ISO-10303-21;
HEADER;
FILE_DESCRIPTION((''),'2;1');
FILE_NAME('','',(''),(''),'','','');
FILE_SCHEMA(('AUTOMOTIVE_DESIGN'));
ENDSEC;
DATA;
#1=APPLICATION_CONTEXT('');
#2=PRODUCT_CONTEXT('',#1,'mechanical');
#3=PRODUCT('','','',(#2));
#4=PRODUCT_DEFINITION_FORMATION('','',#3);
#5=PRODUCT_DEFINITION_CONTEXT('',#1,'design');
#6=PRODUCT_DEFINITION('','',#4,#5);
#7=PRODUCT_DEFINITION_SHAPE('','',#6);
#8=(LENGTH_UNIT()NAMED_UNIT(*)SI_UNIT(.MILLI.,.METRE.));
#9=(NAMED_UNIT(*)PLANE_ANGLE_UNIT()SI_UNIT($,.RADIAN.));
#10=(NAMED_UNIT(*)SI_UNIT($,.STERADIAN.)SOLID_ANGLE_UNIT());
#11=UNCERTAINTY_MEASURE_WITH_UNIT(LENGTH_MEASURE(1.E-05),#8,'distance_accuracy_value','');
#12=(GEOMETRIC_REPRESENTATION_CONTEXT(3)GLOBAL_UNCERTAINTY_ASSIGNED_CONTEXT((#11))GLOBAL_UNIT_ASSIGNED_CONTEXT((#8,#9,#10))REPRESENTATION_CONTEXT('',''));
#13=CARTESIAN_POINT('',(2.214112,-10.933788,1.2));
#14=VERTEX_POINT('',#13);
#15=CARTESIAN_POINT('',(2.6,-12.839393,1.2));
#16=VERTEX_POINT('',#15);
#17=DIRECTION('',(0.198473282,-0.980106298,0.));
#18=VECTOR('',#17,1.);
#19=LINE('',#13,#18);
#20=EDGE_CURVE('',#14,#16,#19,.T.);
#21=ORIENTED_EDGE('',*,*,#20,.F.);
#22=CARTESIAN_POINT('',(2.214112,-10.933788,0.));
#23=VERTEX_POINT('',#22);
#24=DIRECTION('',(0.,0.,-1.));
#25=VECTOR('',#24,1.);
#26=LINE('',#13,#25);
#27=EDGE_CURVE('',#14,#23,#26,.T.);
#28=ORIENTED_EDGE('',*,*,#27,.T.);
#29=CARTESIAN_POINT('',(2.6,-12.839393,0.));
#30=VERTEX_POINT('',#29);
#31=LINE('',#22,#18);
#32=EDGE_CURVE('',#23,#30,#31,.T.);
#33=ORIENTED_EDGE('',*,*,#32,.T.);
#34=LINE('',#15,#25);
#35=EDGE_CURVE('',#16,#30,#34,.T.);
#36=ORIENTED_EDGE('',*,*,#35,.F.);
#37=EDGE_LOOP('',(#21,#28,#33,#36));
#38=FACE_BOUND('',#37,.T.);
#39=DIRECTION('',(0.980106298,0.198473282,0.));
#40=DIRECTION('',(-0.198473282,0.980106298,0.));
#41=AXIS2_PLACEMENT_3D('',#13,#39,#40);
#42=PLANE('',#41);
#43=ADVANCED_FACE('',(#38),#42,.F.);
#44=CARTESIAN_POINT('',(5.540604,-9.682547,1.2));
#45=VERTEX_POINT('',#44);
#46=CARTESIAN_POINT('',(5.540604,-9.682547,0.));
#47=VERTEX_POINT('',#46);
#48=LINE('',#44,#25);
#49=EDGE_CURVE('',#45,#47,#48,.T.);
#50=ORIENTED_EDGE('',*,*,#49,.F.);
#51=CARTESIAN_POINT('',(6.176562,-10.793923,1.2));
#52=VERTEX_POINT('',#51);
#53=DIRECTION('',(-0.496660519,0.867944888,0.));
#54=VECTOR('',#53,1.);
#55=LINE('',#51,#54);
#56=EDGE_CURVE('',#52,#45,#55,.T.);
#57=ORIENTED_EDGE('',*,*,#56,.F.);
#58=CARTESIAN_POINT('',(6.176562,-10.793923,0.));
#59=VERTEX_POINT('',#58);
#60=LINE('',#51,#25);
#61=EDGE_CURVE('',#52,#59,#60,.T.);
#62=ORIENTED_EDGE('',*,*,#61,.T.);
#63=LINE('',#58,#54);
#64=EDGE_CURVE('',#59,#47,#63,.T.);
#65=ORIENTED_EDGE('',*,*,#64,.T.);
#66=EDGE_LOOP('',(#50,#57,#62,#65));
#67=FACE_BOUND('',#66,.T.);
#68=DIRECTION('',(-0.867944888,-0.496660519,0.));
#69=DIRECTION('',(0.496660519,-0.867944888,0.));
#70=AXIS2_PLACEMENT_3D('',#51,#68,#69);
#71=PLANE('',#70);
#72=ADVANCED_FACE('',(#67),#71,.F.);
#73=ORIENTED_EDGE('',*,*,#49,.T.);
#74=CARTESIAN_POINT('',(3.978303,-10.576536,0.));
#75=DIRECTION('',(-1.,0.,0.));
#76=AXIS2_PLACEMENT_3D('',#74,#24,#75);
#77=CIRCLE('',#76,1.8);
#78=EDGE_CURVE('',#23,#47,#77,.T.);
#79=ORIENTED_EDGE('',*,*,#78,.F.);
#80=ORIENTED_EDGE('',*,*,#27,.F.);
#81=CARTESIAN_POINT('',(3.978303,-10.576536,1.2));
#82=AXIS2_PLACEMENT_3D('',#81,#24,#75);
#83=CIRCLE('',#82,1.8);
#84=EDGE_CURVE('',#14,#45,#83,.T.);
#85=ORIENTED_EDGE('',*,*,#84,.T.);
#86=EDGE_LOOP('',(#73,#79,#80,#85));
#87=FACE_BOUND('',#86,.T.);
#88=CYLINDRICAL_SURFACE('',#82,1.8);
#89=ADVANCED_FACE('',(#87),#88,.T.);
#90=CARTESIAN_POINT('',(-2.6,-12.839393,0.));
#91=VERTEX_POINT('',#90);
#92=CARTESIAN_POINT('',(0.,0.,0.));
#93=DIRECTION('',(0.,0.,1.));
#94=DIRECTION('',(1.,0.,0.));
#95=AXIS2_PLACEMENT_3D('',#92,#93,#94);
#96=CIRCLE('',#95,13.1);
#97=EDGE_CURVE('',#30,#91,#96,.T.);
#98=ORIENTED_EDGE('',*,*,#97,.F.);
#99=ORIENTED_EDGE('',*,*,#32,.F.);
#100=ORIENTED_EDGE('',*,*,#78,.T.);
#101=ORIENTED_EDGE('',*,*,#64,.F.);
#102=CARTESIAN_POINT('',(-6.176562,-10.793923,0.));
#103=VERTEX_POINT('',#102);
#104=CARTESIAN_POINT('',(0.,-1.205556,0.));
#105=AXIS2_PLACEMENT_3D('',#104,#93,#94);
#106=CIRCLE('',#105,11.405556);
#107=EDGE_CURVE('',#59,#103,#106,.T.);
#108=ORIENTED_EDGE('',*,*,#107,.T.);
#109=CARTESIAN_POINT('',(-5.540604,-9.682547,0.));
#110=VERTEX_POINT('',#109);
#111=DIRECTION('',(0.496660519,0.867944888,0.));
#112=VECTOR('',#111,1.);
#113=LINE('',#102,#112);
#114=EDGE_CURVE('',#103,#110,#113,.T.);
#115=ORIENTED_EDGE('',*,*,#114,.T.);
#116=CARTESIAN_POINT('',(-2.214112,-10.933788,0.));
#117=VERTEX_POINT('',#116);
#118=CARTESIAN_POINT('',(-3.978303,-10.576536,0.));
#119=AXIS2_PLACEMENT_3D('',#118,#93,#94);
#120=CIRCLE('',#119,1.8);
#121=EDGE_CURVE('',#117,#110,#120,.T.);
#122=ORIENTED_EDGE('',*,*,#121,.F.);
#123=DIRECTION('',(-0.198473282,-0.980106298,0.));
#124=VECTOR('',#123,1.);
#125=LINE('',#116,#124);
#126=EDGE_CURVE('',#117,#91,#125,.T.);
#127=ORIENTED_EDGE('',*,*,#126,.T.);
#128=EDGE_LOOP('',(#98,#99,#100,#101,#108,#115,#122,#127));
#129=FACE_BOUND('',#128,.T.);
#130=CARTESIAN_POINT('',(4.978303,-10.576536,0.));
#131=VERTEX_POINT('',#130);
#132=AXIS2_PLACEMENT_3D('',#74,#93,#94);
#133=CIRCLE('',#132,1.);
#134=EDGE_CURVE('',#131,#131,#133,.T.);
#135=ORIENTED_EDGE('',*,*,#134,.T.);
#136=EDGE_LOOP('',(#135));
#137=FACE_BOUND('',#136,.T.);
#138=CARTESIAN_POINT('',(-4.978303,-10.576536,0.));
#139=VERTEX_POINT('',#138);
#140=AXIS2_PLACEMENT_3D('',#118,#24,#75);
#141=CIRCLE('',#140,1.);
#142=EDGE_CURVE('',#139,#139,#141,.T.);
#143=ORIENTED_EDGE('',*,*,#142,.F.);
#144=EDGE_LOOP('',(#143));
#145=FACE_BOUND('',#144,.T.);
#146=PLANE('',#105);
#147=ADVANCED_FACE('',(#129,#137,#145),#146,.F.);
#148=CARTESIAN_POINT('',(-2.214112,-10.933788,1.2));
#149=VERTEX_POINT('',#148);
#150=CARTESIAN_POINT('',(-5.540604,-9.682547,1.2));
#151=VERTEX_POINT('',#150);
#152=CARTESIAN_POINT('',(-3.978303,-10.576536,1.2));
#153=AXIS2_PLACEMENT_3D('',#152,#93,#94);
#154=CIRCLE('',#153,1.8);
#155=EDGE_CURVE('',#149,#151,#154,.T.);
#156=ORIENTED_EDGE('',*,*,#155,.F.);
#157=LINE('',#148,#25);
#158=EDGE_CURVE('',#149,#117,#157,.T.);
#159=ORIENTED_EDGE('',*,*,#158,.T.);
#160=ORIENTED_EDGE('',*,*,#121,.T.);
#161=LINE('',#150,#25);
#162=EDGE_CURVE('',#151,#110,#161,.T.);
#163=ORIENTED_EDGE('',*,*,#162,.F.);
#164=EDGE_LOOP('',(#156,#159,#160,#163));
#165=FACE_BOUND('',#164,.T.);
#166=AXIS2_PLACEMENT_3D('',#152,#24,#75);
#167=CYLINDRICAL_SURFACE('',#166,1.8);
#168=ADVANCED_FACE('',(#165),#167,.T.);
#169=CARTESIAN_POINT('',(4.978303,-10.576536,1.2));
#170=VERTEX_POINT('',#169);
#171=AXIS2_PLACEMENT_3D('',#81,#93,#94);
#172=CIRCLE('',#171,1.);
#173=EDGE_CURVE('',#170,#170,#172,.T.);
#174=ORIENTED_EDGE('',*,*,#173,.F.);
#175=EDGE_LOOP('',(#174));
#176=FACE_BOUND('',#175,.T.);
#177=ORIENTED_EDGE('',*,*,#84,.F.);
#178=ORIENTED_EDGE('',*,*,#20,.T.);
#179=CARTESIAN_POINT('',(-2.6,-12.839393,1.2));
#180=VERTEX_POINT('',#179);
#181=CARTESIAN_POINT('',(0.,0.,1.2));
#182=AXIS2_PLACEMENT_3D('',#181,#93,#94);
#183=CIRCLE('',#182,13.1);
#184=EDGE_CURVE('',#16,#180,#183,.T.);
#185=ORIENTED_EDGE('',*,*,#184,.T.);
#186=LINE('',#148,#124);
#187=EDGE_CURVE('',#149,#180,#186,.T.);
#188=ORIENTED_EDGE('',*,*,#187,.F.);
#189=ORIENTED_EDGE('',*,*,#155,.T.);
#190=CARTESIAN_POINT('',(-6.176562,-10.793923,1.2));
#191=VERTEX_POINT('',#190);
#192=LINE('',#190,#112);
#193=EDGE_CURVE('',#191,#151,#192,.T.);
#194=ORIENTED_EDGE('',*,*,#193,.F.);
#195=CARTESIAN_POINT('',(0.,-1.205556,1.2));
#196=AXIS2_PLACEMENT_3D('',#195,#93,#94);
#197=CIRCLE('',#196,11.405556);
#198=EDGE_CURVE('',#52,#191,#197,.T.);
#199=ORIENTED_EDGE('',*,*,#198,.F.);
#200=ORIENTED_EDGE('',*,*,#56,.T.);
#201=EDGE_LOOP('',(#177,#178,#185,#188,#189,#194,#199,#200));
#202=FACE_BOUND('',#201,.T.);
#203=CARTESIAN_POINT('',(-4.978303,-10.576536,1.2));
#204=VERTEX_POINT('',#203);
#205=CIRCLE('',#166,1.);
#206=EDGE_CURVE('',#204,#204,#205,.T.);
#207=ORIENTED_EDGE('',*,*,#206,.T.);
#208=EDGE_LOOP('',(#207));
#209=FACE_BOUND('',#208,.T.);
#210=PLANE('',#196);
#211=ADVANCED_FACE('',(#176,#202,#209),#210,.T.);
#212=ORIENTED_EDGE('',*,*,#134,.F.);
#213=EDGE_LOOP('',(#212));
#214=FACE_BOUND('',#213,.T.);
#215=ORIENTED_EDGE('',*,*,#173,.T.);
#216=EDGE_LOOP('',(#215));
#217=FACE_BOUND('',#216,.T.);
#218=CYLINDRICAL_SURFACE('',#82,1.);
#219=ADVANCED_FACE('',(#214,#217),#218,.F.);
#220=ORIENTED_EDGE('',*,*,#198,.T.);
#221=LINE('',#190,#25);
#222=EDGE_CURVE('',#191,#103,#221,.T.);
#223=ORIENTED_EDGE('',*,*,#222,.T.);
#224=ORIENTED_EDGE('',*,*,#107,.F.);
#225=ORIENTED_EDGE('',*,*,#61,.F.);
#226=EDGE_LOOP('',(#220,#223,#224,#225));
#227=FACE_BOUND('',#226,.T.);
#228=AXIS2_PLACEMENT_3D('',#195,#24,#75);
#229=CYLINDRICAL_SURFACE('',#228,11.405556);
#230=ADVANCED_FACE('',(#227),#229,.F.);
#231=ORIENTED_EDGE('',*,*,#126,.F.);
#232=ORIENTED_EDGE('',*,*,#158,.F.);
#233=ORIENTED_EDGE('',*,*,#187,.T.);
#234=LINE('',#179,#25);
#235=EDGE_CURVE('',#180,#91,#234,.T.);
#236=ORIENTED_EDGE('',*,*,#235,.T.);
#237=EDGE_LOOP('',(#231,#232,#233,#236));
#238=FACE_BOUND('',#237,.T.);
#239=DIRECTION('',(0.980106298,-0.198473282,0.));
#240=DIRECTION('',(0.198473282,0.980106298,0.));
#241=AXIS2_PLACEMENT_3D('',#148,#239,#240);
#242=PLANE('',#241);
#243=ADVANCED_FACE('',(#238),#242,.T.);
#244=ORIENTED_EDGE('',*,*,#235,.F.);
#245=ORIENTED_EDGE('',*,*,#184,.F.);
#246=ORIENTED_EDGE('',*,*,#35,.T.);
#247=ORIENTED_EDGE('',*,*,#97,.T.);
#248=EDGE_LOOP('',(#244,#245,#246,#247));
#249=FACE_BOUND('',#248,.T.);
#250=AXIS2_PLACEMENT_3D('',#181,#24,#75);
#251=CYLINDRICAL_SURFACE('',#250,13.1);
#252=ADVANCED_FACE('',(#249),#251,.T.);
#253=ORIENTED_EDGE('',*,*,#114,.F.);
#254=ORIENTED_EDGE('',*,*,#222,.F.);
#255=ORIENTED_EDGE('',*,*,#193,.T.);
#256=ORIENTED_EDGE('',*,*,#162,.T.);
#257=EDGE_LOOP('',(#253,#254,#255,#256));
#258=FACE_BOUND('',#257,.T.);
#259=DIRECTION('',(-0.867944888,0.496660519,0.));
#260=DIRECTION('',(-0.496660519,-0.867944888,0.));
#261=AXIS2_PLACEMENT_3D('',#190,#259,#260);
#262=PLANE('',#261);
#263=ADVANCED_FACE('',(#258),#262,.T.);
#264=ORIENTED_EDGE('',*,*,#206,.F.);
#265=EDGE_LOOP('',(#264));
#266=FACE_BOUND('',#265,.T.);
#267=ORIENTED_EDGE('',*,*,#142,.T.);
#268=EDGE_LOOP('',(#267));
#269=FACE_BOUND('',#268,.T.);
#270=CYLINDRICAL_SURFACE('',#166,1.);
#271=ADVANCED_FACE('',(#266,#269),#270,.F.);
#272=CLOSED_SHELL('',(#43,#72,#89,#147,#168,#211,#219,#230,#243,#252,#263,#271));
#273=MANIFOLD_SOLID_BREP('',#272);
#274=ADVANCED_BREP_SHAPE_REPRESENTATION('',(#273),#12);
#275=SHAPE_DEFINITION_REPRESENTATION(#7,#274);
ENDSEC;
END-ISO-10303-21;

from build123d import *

# Parameters (mm, degrees)
SKETCH1_R          = 1
BASE_EXTRUDE_DEPTH = 1.2


with BuildPart() as part:
    # Sketch1 → Base-Extrude (new body)
    with BuildSketch(Plane.XY):
        with BuildLine():
            Line((-2.214111577, -10.933787538), (-2.6, -12.839392509))
            ThreePointArc((-2.6, -12.839392509), (0, 13.1), (2.6, -12.839392509))
            Line((2.6, -12.839392509), (2.214111577, -10.933787538))
            ThreePointArc((2.214111577, -10.933787538), (3.344590946, -8.891777742), (5.540603713, -9.682546695))
            Line((5.540603713, -9.682546695), (6.176561753, -10.793922593))
            ThreePointArc((6.176561753, -10.793922593), (0, 10.2), (-6.176561753, -10.793922593))
            Line((-6.176561753, -10.793922593), (-5.540603713, -9.682546695))
            ThreePointArc((-5.540603713, -9.682546695), (-3.344590946, -8.891777742), (-2.214111577, -10.933787538))
        make_face()
        with Locations((3.978302914, -10.576535629)):
            Circle(SKETCH1_R, mode=Mode.SUBTRACT)
        with Locations(Location((-3.978302914, -10.576535629, 0), (0, 0, 180))):
            Circle(SKETCH1_R, mode=Mode.SUBTRACT)
    extrude(amount=BASE_EXTRUDE_DEPTH)


solid = part.part
